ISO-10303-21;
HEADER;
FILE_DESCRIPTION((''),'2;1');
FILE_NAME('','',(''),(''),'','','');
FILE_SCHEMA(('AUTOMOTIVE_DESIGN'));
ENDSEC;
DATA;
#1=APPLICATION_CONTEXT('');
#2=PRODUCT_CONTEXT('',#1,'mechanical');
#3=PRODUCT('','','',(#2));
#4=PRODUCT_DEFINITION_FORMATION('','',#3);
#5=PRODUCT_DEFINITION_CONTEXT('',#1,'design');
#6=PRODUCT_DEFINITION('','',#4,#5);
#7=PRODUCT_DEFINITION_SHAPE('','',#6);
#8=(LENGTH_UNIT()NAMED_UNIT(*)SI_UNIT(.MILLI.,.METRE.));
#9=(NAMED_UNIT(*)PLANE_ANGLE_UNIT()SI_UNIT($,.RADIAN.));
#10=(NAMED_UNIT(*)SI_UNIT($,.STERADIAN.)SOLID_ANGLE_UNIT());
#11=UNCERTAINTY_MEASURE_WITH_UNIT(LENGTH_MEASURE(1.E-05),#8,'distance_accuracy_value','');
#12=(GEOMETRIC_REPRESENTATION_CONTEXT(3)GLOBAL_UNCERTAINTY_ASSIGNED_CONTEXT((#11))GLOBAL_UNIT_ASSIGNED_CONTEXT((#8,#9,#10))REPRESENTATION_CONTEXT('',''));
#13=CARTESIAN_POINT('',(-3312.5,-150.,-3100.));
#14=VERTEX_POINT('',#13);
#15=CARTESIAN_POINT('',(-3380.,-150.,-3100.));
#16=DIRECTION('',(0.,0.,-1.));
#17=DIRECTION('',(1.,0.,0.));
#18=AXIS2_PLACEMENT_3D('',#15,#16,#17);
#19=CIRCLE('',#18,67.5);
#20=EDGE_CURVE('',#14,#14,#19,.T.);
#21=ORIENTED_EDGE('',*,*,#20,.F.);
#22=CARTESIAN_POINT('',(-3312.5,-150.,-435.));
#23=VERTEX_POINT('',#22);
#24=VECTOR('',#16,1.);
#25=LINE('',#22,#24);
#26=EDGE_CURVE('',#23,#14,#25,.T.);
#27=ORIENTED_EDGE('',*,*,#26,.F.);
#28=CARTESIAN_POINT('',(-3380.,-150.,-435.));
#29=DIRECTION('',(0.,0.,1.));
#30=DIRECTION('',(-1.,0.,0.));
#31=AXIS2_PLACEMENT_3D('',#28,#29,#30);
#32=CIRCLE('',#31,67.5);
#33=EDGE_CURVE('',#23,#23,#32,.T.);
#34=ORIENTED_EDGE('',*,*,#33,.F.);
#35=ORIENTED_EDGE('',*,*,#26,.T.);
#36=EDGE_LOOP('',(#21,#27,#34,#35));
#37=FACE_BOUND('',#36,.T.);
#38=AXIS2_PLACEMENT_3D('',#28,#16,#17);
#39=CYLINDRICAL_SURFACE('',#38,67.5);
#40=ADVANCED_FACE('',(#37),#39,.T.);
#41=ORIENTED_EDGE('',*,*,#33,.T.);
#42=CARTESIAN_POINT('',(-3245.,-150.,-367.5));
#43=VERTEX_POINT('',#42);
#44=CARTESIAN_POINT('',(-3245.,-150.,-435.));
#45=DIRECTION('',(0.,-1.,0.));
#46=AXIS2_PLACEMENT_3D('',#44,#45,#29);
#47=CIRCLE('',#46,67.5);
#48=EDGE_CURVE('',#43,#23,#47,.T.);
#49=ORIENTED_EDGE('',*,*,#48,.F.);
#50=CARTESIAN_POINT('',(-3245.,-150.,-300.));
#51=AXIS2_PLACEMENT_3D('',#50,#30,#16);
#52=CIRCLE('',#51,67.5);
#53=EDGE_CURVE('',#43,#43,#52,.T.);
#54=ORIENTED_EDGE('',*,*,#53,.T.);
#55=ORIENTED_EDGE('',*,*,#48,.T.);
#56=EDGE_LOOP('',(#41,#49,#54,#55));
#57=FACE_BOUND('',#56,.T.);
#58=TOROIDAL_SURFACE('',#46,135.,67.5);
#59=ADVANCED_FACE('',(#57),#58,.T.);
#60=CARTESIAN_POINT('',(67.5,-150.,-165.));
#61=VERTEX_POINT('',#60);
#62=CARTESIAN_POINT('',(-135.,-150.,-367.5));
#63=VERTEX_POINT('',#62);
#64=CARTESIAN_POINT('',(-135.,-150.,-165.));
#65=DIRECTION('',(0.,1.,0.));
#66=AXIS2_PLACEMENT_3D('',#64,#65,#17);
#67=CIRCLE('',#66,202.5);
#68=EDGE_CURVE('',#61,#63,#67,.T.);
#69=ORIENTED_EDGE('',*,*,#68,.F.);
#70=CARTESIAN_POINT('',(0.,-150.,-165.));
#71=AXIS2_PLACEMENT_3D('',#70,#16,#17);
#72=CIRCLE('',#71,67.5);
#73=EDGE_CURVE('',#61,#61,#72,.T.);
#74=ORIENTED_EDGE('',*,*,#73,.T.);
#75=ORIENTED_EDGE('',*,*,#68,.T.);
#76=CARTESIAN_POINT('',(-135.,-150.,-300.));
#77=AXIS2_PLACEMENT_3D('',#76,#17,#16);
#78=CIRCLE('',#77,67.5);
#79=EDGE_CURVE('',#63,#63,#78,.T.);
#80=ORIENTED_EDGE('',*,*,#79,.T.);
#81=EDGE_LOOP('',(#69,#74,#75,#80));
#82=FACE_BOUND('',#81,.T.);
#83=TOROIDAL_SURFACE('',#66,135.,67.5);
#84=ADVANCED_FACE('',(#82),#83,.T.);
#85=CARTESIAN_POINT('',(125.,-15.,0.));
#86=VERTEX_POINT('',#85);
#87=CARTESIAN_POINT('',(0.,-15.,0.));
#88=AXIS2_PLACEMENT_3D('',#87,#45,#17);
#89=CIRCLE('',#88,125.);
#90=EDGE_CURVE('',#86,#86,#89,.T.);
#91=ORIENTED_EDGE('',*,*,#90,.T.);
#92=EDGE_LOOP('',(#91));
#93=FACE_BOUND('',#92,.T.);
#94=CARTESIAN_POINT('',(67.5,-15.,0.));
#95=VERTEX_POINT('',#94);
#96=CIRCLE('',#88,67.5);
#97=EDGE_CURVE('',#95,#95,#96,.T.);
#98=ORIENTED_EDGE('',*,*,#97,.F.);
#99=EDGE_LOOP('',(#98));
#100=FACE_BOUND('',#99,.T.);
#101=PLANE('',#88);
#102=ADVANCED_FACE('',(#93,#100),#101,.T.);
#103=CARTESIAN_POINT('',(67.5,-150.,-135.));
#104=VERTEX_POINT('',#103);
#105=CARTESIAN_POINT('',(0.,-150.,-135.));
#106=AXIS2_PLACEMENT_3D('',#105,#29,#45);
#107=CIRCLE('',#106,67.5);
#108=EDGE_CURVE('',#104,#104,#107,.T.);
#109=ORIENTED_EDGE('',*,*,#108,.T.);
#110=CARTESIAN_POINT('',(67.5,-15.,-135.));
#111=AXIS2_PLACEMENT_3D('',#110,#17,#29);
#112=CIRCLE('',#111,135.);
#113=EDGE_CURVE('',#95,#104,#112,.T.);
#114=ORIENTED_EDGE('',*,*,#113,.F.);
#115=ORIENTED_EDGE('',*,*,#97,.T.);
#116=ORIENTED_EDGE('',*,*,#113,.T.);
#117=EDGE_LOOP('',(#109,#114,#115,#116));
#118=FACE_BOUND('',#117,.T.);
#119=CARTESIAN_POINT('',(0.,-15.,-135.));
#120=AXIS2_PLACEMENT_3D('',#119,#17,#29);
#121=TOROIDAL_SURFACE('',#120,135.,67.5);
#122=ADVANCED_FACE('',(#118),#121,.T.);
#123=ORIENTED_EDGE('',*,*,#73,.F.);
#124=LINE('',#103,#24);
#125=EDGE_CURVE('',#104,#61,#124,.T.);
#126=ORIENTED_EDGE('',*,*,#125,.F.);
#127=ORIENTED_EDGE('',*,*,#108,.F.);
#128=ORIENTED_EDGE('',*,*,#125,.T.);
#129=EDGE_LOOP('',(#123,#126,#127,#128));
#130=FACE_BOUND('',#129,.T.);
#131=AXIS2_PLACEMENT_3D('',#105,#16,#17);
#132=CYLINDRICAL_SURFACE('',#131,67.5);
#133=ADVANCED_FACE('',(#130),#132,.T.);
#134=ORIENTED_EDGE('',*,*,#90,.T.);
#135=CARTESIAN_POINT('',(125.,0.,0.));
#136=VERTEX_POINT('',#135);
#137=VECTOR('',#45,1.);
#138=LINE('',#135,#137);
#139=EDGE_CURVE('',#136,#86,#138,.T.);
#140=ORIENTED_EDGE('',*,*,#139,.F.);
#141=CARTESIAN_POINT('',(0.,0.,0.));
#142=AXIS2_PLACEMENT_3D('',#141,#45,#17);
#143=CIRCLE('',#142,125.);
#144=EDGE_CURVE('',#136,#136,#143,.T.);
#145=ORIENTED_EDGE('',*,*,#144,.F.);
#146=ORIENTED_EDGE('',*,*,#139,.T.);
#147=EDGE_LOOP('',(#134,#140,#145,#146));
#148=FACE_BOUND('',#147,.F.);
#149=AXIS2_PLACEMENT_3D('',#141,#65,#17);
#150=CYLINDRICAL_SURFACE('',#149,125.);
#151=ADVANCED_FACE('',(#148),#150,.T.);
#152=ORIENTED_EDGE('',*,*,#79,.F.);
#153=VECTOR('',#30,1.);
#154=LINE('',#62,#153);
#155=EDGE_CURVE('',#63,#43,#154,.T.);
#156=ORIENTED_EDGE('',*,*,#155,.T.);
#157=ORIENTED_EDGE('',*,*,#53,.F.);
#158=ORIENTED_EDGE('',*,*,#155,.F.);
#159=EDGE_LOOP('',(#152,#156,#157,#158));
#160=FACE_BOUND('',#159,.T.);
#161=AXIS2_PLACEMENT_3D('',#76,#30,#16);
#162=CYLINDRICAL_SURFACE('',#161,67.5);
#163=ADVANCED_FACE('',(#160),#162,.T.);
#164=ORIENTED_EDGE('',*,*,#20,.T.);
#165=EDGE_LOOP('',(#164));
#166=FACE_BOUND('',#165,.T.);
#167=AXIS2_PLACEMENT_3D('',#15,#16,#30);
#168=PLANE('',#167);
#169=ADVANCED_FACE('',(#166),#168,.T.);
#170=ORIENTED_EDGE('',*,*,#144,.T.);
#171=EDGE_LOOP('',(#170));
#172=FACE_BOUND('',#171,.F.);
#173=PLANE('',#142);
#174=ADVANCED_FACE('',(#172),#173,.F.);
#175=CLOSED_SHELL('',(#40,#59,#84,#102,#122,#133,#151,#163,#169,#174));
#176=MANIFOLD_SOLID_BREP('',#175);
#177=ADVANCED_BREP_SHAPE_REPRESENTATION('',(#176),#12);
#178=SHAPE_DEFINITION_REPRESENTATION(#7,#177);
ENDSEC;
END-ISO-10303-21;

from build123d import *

# Parameters (mm, degrees)
F0_R     = 67.5
F0_R_2   = 125
F5_DEPTH = 15


with BuildPart() as f4:
    # F4: sweep along a path in F1, F3
    with BuildLine(Plane.YZ) as f4_path:
        Line((0, 0), (-15, 0))
        ThreePointArc((-15, 0), (-110.4594154602, -39.5405845398), (-150, -135))
    with BuildLine(Plane.XZ.offset(150)) as f4_path_2:
        Line((0, -135), (0, -150))
        Line((0, -150), (0, -165))
        ThreePointArc((0, -165), (-39.5405845398, -260.4594154602), (-135, -300))
        Line((-135, -300), (-3245, -300))
        ThreePointArc((-3245, -300), (-3340.4594154602, -339.5405845398), (-3380, -435))
        Line((-3380, -435), (-3380, -3100))
    # F0 (on Front) → F4 (sweep)
    with BuildSketch(Plane.XZ):
        Circle(F0_R)
    sweep(path=f4_path.line + f4_path_2.line)

    # F0 (on Front) → F5 (join)
    with BuildSketch(Plane.XZ):
        Circle(F0_R_2)
        Circle(F0_R, mode=Mode.SUBTRACT)
    extrude(amount=F5_DEPTH)


solid = f4.part
